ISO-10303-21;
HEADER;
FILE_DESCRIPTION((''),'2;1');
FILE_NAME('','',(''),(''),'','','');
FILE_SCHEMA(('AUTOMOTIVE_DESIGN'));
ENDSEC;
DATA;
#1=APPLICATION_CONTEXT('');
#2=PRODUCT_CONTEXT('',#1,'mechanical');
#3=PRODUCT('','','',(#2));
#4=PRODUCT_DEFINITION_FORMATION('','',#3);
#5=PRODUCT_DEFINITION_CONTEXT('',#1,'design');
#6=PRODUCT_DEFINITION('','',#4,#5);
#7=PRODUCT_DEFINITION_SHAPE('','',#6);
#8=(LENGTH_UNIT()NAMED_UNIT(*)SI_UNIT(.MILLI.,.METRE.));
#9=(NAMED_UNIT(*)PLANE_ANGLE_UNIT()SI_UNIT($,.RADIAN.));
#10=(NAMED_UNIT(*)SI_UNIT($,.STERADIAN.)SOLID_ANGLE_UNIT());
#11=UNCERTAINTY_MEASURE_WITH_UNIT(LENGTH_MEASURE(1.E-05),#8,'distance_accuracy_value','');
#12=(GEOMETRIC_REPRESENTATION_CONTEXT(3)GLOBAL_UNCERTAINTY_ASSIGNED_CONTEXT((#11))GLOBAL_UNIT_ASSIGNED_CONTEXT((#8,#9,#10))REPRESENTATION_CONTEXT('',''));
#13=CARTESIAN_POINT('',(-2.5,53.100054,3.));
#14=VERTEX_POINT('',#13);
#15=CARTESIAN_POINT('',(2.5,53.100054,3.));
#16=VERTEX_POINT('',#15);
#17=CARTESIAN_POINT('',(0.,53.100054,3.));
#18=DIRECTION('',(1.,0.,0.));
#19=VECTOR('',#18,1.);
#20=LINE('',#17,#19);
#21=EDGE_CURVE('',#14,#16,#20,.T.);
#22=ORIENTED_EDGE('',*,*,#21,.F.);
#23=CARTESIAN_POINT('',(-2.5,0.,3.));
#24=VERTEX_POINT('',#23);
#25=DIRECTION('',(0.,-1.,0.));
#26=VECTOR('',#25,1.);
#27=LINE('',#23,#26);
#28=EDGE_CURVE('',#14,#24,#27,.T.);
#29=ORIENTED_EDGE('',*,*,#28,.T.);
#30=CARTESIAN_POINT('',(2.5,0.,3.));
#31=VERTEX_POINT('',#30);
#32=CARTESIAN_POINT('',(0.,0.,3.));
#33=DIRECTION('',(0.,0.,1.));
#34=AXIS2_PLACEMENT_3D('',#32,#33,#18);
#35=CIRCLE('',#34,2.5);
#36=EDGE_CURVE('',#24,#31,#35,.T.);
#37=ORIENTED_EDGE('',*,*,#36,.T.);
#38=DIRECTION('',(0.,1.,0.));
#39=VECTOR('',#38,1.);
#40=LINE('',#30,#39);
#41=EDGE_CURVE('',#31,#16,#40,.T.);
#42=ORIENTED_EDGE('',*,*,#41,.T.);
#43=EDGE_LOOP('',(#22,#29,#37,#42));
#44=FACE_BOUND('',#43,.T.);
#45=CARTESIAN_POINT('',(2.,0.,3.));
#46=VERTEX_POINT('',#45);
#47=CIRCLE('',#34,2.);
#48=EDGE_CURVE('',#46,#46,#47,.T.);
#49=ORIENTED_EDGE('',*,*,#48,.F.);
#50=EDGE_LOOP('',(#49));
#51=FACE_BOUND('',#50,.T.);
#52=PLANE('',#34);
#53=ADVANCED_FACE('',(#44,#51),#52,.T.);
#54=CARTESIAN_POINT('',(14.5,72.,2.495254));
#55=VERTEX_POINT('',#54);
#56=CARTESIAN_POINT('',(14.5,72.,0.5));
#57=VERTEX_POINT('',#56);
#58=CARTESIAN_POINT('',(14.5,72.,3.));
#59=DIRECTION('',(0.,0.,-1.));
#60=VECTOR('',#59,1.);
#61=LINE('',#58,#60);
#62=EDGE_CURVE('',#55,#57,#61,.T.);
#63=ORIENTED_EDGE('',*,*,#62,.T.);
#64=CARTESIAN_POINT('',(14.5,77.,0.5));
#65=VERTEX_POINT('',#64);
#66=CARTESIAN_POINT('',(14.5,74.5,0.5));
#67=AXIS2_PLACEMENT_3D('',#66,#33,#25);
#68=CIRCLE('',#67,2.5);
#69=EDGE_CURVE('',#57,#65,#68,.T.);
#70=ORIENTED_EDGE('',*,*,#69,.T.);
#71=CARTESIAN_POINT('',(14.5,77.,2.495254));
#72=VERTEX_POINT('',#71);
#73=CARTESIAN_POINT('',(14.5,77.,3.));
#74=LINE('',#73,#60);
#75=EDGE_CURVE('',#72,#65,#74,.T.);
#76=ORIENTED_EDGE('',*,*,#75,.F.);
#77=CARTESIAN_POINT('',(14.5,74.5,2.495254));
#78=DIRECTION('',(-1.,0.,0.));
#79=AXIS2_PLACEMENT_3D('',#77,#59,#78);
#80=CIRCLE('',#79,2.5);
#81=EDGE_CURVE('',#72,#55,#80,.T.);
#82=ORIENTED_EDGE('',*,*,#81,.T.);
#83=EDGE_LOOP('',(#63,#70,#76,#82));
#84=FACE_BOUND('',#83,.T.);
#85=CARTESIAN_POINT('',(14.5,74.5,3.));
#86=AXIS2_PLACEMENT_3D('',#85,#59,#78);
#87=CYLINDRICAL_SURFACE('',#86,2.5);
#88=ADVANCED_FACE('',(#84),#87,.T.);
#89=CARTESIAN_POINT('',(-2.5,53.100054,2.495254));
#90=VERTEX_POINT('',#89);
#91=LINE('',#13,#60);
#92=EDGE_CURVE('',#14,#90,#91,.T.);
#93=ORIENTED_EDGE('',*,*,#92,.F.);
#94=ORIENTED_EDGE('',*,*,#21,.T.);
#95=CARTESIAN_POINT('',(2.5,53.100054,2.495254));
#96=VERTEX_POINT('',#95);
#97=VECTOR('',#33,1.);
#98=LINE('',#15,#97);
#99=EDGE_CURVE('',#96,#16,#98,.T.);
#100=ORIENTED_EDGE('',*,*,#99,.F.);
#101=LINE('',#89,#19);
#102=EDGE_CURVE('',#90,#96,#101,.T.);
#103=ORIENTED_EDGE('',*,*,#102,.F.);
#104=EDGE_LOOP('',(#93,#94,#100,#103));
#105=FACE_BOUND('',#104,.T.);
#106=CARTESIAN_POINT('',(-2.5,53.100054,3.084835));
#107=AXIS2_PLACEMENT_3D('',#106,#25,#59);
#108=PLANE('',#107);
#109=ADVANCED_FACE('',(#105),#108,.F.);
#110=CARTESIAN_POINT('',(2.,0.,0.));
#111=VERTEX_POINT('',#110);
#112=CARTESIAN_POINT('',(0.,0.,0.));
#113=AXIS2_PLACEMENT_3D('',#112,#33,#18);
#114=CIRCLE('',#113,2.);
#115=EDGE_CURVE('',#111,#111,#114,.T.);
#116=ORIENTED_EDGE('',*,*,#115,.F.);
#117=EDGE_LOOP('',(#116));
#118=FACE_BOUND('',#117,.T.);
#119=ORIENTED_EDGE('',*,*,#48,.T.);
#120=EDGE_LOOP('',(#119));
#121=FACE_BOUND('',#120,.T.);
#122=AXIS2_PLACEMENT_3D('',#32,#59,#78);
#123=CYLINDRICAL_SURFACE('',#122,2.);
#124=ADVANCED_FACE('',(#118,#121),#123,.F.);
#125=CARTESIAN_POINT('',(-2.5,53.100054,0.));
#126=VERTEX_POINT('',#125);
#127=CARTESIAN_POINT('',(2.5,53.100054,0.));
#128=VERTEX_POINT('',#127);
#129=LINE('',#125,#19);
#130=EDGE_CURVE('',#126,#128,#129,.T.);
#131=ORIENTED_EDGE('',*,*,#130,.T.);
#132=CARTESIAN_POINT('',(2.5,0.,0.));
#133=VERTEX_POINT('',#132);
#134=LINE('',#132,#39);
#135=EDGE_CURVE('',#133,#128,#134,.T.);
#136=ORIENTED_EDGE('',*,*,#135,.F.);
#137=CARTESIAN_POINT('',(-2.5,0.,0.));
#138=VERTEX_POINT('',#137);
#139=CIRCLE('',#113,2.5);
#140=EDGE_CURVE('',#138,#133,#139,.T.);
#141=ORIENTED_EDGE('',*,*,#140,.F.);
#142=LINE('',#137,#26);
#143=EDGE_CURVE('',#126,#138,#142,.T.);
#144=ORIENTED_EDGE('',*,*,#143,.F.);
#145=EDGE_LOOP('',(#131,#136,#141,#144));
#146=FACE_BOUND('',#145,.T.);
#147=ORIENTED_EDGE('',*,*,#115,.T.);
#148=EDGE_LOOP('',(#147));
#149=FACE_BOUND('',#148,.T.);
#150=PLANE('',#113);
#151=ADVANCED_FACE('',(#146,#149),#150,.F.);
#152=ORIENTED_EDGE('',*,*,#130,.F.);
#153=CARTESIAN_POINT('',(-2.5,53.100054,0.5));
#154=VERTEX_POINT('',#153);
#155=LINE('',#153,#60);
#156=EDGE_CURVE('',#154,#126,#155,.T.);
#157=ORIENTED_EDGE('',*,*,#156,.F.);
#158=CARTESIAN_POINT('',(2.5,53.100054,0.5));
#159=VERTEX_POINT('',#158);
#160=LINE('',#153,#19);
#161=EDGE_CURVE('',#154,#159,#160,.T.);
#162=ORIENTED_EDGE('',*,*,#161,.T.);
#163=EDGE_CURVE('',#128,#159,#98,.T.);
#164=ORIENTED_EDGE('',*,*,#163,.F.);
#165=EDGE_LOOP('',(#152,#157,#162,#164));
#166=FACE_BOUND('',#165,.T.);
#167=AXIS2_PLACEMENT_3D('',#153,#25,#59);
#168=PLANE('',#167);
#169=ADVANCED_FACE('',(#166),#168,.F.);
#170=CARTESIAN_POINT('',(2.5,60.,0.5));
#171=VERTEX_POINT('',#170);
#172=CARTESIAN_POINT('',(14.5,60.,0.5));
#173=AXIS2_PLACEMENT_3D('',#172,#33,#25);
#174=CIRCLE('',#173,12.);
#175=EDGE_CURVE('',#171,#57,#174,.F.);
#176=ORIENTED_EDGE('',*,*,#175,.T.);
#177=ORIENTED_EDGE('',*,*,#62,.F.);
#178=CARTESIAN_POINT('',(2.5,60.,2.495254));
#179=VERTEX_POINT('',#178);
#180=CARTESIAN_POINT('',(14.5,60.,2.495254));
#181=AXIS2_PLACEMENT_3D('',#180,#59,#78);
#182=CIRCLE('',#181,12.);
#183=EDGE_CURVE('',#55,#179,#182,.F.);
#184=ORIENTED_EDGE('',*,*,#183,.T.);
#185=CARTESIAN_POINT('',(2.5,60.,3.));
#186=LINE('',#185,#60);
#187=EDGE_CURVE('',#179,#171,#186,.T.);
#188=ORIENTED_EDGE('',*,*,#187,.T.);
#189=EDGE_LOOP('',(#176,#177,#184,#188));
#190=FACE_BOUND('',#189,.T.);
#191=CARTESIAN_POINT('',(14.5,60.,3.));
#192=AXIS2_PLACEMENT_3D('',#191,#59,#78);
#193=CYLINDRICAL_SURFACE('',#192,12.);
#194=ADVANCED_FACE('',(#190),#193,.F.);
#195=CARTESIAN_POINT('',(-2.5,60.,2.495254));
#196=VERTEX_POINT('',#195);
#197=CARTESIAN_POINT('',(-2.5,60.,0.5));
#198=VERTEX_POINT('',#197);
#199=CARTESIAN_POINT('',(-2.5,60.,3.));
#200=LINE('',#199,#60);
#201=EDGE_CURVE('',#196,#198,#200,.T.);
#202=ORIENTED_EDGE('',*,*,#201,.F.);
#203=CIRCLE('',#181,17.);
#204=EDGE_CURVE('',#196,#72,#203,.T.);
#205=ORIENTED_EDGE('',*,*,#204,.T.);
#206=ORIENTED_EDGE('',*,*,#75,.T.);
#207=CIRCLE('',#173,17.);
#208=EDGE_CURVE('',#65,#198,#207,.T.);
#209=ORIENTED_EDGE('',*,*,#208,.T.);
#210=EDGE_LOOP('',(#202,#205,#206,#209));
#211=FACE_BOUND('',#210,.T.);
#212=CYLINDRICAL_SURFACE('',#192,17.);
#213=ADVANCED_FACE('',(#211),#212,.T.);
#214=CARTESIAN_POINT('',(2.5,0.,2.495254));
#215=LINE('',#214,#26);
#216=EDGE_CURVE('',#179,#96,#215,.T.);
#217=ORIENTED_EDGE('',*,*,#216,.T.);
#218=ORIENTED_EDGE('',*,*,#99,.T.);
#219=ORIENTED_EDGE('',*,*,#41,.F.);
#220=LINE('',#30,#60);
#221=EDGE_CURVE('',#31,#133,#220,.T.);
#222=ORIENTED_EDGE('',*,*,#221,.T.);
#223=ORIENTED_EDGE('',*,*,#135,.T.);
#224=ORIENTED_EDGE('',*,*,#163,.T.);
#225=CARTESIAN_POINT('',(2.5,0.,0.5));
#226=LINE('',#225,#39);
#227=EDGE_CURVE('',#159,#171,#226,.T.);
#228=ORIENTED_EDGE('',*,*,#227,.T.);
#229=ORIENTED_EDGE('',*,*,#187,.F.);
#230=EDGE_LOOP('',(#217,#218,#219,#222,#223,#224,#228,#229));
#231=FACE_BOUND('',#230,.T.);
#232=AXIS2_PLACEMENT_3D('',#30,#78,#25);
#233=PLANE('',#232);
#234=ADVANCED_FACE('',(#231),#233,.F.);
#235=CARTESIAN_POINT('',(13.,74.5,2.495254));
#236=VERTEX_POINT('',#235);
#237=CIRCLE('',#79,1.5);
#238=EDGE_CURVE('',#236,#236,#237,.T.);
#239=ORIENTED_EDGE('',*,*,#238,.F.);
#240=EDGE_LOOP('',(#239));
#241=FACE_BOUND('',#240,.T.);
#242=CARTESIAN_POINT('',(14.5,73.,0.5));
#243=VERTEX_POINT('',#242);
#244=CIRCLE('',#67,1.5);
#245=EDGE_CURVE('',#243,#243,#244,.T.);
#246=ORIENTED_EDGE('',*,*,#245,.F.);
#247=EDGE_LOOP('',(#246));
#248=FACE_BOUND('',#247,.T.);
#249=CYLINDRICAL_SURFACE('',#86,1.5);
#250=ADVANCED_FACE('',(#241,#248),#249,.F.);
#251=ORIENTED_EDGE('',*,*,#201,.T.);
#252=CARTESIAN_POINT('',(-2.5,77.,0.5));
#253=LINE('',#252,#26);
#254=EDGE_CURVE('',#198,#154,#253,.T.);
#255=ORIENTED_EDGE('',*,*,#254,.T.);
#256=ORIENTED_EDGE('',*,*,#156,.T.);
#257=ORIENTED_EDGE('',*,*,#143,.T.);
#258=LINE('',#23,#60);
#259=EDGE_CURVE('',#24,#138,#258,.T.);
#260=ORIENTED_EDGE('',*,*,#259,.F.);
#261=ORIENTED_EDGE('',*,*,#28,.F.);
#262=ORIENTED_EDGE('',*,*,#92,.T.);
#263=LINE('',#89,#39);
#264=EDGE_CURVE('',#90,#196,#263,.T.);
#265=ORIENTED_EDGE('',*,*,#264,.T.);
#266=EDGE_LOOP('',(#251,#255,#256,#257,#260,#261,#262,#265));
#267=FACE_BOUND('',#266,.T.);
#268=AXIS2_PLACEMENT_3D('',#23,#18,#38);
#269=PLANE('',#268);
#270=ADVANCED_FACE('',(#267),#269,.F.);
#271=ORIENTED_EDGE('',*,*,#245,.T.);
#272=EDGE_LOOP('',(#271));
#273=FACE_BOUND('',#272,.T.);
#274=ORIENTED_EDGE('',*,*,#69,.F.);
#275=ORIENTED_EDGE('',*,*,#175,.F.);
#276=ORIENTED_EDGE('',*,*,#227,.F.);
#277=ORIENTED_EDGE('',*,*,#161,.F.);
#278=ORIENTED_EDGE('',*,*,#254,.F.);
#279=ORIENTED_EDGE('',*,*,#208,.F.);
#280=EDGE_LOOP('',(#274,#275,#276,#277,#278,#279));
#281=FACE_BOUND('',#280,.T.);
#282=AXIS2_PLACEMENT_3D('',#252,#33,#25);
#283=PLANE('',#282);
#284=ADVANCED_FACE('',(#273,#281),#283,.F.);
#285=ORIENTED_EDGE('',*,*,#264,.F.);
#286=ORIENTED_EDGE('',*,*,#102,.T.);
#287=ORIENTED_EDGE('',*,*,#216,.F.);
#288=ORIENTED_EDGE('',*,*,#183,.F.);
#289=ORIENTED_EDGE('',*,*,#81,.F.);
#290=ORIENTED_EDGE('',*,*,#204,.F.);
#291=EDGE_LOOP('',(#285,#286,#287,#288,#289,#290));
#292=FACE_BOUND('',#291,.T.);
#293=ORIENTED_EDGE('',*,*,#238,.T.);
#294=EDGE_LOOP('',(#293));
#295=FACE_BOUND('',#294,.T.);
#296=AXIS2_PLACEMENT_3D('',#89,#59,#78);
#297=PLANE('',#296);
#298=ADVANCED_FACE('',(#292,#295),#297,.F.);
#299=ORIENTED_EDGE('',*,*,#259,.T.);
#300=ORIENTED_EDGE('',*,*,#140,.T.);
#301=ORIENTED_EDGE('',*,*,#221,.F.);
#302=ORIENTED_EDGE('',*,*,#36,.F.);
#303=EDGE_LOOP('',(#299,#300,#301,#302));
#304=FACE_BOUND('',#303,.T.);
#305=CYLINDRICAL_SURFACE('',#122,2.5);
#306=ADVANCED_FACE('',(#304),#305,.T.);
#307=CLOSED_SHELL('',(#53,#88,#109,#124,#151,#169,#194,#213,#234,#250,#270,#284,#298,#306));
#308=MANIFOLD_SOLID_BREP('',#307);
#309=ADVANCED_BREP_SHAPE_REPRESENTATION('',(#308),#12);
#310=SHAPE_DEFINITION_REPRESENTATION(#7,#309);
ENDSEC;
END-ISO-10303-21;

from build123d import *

# Parameters (mm, degrees)
SKETCH_1_R               = 2
SKETCH_1_R_2             = 1.5
EXTRUDE_1_DEPTH          = 3
SKETCH_2_W               = 0.5
SKETCH_2_H               = 23.89994555
SKETCH_2_W_2             = 0.589580916
CUT_EXTRUDE_1_DEPTH      = 18
CUT_EXTRUDE_1_DEPTH_BACK = 3.5


with BuildPart() as part:
    # 草图1 → 凸台-拉伸1 (new body)
    with BuildSketch(Plane.XY):
        with BuildLine():
            Line((-2.5, 0), (-2.5, 60))
            ThreePointArc((-2.5, 60), (2.47918472, 72.02081528), (14.5, 77))
            ThreePointArc((14.5, 77), (17, 74.5), (14.5, 72))
            ThreePointArc((14.5, 72), (6.014718626, 68.485281374), (2.5, 60))
            Line((2.5, 60), (2.5, 0))
            ThreePointArc((2.5, 0), (0, -2.5), (-2.5, 0))
        make_face()
        Circle(SKETCH_1_R, mode=Mode.SUBTRACT)
        with Locations((14.5, 74.5)):
            Circle(SKETCH_1_R_2, mode=Mode.SUBTRACT)
    extrude(amount=EXTRUDE_1_DEPTH)

    # 草图2 → 切除-拉伸1 (cut, two sides)
    with BuildSketch(Plane(origin=(0, 0, 0), x_dir=(0, 0, -1), z_dir=(1, 0, 0))) as cut_extrude_1_sk:
        with Locations((-0.25, 65.050027225)):
            Rectangle(SKETCH_2_W, SKETCH_2_H)
        with Locations((-2.790044711, 65.050027225)):
            Rectangle(SKETCH_2_W_2, SKETCH_2_H)
    extrude(amount=CUT_EXTRUDE_1_DEPTH, mode=Mode.SUBTRACT)
    extrude(cut_extrude_1_sk.sketch, amount=-CUT_EXTRUDE_1_DEPTH_BACK, mode=Mode.SUBTRACT)


solid = part.part
